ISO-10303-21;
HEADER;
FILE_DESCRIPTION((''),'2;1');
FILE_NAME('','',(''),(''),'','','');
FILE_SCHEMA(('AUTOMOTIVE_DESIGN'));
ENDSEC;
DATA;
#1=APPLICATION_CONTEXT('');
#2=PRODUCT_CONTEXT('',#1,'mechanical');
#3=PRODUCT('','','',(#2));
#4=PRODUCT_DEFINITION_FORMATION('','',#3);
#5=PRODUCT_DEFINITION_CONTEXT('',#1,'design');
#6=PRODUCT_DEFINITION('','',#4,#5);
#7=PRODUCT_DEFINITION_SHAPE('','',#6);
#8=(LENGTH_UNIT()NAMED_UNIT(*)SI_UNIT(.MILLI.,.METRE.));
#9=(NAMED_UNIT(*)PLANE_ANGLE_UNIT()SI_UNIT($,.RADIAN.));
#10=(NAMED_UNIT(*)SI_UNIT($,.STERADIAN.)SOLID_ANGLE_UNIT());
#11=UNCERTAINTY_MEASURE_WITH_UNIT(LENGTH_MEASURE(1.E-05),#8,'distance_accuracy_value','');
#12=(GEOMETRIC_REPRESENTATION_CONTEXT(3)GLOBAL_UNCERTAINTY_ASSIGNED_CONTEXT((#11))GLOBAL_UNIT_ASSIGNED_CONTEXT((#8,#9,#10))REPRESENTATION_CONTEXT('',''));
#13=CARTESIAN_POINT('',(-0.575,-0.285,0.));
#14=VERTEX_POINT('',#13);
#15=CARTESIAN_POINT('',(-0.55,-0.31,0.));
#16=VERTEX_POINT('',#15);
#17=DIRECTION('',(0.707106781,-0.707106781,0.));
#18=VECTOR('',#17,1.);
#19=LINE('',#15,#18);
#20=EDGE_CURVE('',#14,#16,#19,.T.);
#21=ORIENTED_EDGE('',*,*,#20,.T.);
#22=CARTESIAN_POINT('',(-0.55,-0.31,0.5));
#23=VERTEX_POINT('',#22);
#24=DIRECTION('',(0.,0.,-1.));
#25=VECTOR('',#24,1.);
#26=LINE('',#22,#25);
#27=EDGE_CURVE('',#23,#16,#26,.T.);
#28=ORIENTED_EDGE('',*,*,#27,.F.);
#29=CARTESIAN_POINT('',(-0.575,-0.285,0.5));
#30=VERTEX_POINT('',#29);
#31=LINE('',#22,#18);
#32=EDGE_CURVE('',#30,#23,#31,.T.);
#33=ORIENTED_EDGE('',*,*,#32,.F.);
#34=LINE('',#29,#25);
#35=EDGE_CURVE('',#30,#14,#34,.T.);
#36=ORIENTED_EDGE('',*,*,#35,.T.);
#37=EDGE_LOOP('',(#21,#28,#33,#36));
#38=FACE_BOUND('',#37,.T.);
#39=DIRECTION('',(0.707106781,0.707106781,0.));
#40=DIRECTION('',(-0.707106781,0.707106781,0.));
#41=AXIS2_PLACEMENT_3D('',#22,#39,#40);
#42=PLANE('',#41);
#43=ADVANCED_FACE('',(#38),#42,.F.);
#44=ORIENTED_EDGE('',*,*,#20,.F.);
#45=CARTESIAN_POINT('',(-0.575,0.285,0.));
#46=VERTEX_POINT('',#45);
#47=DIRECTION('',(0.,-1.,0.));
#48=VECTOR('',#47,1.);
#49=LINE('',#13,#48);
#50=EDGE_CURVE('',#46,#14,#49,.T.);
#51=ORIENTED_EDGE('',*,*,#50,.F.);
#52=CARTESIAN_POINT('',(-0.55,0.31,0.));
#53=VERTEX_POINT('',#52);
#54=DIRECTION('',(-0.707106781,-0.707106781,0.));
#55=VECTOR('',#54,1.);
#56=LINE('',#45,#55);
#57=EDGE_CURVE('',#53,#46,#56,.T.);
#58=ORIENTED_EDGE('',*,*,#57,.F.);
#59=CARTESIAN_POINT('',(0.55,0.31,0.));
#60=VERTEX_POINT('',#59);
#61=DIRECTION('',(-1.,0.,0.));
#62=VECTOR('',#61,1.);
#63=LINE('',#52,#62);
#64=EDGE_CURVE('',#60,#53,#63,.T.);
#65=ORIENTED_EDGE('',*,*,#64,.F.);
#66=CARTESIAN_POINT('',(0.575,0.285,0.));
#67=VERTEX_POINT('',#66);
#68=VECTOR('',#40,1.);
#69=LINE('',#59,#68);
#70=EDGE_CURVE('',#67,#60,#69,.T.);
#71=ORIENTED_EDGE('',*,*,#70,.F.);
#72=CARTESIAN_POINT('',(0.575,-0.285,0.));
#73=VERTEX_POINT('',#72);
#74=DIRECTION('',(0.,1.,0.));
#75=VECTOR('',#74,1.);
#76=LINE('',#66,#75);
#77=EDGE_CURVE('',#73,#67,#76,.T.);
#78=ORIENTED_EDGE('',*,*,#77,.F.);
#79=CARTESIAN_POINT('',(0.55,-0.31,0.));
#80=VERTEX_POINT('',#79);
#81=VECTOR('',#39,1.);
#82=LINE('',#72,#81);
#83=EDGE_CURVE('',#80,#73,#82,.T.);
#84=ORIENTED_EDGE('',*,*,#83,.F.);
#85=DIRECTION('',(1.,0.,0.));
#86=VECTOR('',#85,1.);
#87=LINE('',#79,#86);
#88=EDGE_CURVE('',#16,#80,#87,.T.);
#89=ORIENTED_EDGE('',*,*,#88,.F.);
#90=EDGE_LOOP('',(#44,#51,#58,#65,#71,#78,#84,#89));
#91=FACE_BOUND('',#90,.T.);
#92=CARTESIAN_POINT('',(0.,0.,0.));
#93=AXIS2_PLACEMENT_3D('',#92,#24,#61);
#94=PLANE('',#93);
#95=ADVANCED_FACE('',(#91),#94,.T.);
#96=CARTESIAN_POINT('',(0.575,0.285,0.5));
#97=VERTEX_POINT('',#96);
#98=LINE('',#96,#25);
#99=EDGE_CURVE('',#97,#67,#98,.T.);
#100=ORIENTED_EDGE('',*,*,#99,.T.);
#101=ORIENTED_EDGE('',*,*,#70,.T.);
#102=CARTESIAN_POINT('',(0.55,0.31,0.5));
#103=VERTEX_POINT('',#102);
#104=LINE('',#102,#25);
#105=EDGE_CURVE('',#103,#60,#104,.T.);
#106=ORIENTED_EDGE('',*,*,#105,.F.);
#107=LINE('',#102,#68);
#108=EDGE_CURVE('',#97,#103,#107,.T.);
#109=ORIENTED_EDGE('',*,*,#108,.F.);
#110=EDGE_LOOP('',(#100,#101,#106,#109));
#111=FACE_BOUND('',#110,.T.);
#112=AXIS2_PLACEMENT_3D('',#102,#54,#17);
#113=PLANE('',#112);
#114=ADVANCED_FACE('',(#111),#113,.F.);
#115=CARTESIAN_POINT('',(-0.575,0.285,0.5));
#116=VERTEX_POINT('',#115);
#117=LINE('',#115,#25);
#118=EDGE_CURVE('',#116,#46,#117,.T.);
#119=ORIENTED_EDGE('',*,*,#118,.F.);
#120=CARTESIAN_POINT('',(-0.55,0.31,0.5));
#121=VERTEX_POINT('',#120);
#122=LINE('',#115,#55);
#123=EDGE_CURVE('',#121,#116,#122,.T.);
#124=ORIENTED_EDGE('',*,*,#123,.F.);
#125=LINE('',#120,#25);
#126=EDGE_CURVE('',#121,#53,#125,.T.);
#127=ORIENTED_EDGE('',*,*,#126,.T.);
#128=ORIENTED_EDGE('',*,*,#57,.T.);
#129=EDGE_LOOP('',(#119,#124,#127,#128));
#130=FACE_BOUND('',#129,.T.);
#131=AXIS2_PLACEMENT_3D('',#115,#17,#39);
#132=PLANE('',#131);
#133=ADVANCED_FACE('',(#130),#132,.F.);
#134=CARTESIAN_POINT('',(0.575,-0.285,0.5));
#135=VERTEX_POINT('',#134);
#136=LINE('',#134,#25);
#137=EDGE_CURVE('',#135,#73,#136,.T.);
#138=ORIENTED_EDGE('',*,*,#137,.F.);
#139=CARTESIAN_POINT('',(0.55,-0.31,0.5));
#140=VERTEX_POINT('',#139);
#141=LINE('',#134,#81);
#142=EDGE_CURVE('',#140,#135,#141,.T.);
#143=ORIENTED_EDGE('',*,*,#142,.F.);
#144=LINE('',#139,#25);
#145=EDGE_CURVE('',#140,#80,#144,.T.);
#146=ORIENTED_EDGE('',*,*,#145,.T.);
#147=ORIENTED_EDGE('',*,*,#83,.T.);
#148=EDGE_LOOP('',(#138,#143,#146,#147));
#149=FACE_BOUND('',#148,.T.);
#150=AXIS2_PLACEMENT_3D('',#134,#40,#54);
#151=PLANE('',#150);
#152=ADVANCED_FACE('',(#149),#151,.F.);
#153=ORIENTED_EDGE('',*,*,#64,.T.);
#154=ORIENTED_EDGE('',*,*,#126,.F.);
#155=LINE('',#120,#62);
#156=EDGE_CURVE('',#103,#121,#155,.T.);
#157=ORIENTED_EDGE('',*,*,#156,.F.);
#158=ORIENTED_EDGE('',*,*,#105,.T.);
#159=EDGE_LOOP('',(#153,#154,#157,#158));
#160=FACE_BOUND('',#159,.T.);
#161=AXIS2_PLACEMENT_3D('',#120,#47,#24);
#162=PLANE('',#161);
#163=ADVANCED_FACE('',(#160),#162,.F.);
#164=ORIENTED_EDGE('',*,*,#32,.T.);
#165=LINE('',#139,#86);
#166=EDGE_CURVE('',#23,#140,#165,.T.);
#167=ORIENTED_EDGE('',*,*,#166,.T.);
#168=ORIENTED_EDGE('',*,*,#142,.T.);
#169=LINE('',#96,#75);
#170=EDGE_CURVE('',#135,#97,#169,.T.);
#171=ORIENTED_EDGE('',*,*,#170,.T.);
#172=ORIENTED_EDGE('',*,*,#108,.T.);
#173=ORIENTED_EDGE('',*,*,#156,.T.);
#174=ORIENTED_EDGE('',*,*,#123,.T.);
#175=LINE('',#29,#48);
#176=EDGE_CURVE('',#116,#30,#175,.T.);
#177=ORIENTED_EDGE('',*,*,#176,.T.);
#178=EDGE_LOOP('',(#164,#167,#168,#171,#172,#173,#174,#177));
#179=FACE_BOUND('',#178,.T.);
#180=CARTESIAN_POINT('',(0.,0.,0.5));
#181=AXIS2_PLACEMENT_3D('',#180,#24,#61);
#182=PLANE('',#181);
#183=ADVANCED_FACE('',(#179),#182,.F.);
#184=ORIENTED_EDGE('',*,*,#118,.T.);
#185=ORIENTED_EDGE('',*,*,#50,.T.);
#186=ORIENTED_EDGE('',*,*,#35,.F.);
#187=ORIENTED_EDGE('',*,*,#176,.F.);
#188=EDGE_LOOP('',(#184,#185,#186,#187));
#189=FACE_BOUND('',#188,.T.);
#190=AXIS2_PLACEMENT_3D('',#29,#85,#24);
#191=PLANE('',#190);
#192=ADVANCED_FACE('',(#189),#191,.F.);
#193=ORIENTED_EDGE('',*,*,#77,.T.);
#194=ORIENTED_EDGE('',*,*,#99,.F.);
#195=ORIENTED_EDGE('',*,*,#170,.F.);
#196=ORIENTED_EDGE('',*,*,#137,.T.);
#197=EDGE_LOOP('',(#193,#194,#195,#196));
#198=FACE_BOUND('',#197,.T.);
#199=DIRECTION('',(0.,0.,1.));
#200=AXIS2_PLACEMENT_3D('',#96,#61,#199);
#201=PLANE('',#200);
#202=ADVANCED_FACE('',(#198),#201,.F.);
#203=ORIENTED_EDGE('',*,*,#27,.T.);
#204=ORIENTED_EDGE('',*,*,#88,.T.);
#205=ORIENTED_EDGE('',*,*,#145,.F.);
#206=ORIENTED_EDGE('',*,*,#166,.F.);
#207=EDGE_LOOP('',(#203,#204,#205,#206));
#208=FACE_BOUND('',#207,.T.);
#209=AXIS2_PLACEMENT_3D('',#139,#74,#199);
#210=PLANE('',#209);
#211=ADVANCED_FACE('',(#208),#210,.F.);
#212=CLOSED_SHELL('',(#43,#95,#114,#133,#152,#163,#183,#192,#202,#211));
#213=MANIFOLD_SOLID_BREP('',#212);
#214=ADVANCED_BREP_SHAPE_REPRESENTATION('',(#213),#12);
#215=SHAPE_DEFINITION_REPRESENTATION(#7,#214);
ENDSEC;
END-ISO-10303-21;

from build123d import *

# Parameters (mm, degrees)
COMPONENT_OUTLINE_DEPTH = 0.5


with BuildPart() as part:
    # 草图1 → Component_Outline (new body)
    with BuildSketch(Plane.XY):
        Polygon((0.55, 0.31), (0.575, 0.285), (0.575, -0.285), (0.55, -0.31), (-0.55, -0.31), (-0.575, -0.285), (-0.575, 0.285), (-0.55, 0.31), align=None)
    extrude(amount=COMPONENT_OUTLINE_DEPTH)


solid = part.part
